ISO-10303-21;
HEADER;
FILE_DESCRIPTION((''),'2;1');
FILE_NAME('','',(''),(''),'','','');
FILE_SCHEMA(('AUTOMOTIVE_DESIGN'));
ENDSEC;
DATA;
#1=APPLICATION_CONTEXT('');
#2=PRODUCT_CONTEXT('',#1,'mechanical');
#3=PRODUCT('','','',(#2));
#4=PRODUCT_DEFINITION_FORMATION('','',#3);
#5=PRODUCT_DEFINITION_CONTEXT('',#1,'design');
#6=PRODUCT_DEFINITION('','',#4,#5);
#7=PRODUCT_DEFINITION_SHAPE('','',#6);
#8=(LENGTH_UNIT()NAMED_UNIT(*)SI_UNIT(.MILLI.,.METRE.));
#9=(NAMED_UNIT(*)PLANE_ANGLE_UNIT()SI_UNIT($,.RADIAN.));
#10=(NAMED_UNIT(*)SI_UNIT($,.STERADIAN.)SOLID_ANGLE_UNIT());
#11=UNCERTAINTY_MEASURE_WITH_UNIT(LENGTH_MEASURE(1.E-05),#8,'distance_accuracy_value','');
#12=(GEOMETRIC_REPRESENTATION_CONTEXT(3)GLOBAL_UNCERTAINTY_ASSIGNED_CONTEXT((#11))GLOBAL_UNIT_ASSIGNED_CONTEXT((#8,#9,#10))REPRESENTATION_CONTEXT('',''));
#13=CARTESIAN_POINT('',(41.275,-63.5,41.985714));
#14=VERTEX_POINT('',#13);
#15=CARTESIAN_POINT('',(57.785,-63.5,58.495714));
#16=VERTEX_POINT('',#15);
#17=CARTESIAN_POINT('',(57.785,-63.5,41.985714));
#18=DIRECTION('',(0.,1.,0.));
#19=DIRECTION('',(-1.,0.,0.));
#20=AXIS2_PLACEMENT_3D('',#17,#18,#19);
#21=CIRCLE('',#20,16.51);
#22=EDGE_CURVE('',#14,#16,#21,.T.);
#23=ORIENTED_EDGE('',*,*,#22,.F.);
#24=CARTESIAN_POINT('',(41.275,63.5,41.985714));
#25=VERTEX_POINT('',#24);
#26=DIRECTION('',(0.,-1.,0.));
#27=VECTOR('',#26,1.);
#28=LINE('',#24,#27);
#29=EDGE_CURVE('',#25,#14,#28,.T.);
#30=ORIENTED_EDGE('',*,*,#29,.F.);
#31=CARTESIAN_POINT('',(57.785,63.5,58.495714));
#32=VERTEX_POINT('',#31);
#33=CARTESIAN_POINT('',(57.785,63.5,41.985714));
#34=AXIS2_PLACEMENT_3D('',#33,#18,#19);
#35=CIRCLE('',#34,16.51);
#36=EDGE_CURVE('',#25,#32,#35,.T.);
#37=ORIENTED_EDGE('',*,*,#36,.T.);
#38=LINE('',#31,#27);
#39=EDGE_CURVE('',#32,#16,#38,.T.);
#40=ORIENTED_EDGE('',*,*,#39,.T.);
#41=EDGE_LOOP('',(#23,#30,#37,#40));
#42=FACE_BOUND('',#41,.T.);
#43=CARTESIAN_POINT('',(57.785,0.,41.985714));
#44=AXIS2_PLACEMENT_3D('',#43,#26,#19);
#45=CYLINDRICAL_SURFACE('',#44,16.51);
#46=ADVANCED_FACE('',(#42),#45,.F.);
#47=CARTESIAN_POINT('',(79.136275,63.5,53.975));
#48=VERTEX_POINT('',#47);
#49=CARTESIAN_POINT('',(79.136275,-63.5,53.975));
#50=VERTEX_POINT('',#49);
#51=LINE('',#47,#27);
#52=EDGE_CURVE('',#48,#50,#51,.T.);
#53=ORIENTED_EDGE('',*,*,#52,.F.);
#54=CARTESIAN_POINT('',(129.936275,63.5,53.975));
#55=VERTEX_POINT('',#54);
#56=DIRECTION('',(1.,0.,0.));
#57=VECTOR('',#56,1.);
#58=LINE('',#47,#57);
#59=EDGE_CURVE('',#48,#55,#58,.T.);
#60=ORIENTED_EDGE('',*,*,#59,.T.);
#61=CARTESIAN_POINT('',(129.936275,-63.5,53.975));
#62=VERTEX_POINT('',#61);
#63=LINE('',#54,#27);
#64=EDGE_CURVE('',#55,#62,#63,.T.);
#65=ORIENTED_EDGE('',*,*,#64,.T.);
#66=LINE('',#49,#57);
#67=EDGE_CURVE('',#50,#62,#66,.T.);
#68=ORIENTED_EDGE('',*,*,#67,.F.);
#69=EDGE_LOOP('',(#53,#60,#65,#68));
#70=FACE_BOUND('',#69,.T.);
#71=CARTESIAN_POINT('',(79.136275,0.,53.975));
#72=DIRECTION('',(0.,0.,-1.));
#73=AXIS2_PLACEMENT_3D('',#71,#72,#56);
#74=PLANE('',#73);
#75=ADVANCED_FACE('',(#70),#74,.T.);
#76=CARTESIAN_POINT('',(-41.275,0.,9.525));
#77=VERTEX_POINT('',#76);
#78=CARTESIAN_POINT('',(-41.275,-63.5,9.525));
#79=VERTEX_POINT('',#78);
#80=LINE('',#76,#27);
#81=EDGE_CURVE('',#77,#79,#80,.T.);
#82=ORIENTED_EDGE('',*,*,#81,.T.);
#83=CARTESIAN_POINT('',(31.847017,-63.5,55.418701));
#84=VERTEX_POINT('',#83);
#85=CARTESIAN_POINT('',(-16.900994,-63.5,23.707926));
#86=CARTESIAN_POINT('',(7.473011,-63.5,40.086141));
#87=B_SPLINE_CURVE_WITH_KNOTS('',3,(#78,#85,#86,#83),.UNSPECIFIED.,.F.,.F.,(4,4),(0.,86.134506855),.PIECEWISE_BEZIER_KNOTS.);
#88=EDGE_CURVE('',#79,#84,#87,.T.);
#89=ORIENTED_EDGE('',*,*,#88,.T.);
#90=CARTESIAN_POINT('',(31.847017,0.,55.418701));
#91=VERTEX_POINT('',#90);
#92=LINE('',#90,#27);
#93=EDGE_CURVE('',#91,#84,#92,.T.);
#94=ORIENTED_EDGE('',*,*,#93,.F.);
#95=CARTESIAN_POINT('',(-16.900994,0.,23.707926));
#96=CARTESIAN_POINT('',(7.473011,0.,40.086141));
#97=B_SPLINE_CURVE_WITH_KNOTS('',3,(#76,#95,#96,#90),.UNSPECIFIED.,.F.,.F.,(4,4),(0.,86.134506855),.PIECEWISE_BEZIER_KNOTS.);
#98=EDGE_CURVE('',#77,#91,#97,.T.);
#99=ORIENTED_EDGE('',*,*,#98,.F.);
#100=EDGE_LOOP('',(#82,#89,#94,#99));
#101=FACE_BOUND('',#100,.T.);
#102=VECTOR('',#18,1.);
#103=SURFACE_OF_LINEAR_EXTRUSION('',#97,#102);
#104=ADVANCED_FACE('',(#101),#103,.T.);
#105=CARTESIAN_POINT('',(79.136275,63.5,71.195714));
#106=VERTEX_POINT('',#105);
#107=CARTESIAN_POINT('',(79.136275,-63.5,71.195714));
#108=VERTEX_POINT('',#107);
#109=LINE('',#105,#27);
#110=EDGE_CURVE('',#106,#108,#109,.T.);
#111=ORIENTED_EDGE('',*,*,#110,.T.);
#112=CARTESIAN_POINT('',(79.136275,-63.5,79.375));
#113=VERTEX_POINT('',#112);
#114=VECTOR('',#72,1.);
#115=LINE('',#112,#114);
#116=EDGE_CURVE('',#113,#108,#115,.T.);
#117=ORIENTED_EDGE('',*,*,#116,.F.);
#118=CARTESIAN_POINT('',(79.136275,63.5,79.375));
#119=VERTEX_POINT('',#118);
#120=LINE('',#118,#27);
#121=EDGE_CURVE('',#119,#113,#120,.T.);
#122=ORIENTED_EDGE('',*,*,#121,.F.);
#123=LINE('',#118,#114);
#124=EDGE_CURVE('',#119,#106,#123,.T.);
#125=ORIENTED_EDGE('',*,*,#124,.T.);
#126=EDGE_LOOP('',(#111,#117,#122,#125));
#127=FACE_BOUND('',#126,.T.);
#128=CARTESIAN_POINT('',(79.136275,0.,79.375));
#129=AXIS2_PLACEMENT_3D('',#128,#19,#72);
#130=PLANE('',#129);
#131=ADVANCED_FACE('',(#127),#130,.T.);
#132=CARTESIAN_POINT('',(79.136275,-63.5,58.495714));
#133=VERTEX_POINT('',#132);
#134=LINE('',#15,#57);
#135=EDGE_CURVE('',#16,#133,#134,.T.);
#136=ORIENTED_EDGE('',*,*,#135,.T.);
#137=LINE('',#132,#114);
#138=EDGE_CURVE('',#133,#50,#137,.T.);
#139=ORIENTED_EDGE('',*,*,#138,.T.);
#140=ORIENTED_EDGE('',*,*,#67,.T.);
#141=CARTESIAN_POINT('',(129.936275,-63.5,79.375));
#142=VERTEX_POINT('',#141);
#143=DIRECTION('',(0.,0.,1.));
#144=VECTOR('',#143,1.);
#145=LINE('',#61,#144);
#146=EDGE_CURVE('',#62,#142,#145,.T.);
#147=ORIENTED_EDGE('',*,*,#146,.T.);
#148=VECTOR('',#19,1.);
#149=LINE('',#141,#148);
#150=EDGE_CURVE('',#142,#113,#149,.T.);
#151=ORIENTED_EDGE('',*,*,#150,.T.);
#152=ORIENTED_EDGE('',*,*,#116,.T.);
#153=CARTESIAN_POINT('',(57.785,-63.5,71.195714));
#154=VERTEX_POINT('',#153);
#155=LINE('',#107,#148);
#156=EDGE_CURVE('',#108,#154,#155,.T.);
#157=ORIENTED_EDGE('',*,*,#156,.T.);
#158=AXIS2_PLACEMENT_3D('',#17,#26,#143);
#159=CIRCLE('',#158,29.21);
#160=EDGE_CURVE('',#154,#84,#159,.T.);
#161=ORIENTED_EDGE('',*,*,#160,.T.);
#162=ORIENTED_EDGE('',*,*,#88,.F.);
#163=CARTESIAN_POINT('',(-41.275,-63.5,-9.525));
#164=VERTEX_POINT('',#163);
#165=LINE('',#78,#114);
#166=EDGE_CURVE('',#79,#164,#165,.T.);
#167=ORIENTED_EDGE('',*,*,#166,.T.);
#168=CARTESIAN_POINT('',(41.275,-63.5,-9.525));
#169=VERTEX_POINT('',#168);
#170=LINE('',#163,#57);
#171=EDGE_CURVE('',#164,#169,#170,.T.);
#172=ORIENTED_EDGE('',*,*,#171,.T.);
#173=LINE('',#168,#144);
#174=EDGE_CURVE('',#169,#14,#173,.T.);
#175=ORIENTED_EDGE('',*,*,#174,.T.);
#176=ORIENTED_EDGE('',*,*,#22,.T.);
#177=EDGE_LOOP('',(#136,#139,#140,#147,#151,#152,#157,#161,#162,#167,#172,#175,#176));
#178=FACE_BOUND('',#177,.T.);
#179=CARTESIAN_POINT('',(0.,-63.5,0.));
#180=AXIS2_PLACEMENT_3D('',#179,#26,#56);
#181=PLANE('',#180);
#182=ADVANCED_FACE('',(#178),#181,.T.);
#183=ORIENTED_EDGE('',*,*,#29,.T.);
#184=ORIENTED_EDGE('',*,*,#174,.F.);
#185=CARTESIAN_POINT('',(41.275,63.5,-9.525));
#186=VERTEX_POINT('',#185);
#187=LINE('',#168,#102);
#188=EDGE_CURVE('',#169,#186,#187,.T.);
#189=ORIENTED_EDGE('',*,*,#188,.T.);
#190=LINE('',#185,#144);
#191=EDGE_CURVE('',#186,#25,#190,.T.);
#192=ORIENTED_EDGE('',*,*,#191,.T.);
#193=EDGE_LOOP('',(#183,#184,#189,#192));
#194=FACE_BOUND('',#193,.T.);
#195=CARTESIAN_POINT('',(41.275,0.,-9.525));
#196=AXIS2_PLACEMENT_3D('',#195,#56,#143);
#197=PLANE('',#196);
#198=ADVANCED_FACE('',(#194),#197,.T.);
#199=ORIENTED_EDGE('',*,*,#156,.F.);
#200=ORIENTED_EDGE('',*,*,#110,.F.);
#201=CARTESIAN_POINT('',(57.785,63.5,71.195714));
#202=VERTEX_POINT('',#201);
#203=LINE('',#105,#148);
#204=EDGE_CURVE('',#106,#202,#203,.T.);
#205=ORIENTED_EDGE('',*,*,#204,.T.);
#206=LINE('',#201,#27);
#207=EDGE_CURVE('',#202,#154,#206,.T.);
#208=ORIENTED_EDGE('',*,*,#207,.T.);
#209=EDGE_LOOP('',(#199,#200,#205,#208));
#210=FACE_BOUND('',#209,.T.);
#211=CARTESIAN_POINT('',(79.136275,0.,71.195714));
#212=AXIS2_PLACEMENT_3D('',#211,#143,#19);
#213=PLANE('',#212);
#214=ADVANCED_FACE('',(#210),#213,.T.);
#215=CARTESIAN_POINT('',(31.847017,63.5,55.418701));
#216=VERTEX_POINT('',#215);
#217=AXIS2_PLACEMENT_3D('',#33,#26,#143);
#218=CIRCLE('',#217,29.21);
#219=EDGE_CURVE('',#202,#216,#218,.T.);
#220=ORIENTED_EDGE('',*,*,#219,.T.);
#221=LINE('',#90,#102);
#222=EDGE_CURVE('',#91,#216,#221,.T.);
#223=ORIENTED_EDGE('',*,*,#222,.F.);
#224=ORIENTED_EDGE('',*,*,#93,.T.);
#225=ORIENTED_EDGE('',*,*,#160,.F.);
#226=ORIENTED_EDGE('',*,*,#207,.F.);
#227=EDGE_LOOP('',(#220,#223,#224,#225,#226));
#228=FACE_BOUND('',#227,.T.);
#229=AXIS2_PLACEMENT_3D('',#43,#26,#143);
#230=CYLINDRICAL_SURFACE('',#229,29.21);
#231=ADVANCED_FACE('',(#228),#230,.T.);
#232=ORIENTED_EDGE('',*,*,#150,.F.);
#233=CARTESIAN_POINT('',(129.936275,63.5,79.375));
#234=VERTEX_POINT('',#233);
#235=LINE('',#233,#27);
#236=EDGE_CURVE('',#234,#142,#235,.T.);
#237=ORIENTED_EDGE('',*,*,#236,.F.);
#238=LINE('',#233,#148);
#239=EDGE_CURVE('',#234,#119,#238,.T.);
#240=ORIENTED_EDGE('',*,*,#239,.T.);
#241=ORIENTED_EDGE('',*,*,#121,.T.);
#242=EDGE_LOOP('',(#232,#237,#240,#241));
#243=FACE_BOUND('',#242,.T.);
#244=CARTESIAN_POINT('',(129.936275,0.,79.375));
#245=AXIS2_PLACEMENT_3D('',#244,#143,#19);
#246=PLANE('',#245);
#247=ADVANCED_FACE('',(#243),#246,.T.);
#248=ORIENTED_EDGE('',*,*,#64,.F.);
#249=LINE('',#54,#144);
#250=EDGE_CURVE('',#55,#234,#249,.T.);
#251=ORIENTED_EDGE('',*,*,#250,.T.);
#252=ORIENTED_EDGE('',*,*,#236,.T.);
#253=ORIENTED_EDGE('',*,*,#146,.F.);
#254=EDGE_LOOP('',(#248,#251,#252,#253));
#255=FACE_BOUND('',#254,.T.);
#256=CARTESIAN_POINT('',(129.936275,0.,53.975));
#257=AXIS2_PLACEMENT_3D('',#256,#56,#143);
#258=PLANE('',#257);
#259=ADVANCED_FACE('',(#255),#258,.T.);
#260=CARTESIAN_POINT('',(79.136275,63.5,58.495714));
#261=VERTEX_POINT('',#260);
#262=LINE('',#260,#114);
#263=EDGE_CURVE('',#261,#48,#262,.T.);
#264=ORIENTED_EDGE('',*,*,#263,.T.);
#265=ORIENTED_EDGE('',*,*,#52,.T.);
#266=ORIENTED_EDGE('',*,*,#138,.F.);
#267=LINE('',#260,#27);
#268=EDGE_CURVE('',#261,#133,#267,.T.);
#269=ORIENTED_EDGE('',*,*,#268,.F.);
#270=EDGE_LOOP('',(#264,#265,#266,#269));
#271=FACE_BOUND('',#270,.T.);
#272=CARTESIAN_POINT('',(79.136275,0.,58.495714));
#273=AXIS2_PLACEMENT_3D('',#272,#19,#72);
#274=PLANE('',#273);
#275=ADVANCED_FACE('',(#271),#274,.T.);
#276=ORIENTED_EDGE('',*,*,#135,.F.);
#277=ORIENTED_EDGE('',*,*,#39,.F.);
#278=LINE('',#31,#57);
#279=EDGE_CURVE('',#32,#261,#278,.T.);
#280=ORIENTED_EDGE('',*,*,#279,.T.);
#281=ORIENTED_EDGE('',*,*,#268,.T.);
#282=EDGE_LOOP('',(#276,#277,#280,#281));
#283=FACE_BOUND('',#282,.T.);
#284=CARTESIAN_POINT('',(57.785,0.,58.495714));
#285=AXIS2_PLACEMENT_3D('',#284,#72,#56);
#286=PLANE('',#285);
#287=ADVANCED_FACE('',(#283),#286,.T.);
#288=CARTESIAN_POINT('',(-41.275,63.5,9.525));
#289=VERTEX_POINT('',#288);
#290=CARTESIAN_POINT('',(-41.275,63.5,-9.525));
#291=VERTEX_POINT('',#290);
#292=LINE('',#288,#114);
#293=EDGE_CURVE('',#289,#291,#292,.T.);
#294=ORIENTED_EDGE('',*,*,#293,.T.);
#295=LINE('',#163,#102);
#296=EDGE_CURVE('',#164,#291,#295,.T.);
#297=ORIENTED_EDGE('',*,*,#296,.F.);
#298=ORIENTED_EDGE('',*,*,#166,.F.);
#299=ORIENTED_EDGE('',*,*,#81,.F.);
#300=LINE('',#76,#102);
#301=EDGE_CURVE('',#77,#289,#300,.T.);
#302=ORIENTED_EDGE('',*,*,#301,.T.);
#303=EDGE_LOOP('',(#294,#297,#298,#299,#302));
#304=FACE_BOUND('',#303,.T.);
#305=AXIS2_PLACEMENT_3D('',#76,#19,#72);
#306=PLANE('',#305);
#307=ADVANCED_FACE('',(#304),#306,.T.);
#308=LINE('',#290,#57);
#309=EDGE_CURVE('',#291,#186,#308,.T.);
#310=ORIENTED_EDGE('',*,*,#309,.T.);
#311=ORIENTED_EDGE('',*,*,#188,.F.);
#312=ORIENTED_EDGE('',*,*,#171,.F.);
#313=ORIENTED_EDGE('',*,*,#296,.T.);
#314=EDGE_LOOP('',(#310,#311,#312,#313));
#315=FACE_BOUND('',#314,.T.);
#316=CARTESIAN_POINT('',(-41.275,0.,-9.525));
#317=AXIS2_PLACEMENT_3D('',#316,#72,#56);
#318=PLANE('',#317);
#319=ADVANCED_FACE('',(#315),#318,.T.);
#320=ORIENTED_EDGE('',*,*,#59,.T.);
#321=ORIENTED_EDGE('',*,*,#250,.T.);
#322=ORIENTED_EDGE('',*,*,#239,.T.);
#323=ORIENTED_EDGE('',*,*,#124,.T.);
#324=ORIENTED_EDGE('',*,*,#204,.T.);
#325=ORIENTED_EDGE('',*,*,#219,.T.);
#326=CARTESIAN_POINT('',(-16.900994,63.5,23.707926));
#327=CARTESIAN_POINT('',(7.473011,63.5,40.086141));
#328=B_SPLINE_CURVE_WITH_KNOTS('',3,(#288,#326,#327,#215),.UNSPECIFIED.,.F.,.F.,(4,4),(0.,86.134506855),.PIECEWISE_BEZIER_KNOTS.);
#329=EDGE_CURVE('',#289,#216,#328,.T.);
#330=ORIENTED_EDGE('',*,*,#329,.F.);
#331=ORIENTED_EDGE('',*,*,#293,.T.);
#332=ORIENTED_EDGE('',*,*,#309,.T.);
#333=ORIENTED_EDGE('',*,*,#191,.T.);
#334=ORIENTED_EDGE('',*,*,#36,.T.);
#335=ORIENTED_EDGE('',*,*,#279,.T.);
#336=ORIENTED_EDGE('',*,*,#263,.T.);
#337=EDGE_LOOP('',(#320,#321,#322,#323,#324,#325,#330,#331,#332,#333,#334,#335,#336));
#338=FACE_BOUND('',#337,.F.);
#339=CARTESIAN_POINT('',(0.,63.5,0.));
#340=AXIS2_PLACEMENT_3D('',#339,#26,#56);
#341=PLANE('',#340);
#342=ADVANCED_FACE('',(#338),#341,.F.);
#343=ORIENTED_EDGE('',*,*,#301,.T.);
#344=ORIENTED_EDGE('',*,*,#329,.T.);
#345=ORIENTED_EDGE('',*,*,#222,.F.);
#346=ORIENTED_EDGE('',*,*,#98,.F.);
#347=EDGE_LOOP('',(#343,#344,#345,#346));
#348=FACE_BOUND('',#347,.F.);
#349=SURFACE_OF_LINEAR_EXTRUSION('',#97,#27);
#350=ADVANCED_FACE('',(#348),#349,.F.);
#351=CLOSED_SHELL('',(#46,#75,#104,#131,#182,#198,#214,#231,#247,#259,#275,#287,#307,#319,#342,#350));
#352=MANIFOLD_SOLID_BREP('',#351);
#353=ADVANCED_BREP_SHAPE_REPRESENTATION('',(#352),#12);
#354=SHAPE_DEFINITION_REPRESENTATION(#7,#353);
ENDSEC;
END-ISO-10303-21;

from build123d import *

# Parameters (mm, degrees)
F0_W     = 14.1772931536
F0_H     = 12.7
F1_DEPTH = 63.5


with BuildPart() as f1:
    # F0 (on Front) → F1 (new body, symmetric)
    with BuildSketch(Plane.XZ):
        Polygon((41.275, -9.525), (41.275, 9.525), (28.575, 9.525), (-41.275, 9.525), (-41.275, -9.525), align=None)
        with BuildLine():
            Line((28.575, 9.525), (41.275, 9.525))
            Line((41.275, 9.525), (41.275, 41.9857141757))
            ThreePointArc((41.275, 41.9857141757), (46.1106670426, 53.6600471331), (57.785, 58.4957141757))
            Line((57.785, 58.4957141757), (79.1362750345, 58.4957141757))
            Line((79.1362750345, 58.4957141757), (79.1362750345, 71.1957141757))
            Line((79.1362750345, 71.1957141757), (57.785, 71.1957141757))
            add(Edge.make_bspline(
                [(31.8470170631, 55.4187012286), (40.4930113754, 60.8574965018), (49.1390056877, 66.1647194119), (57.785, 71.1957141757)],
                knots=[86.1345068551, 86.1345068551, 86.1345068551, 86.1345068551, 116.6883052707, 116.6883052707, 116.6883052707, 116.6883052707], degree=3))
            ThreePointArc((31.8470170631, 55.4187012286), (29.4047905083, 48.8985868931), (28.575, 41.9857141757))
            Line((28.575, 41.9857141757), (28.575, 9.525))
        make_face()
        with BuildLine():
            Line((-41.275, 9.525), (28.575, 9.525))
            Line((28.575, 9.525), (28.575, 41.9857141757))
            ThreePointArc((28.575, 41.9857141757), (29.4047905083, 48.8985868931), (31.8470170631, 55.4187012286))
            add(Edge.make_bspline(
                [(-41.275, 9.525), (-16.9009943123, 23.7079257062), (7.4730113754, 40.0861411859), (31.8470170631, 55.4187012286)],
                knots=[0, 0, 0, 0, 86.1345068551, 86.1345068551, 86.1345068551, 86.1345068551], degree=3))
        make_face()
        with BuildLine():
            ThreePointArc((57.785, 71.1957141757), (42.6053005928, 66.9416919347), (31.8470170631, 55.4187012286))
            add(Edge.make_bspline(
                [(31.8470170631, 55.4187012286), (40.4930113754, 60.8574965018), (49.1390056877, 66.1647194119), (57.785, 71.1957141757)],
                knots=[86.1345068551, 86.1345068551, 86.1345068551, 86.1345068551, 116.6883052707, 116.6883052707, 116.6883052707, 116.6883052707], degree=3))
        make_face()
        Polygon((93.3135681881, 58.4957141757), (79.1362750345, 58.4957141757), (79.1362750345, 53.975), (129.9362750345, 53.975), (129.9362750345, 79.375), (79.1362750345, 79.375), (79.1362750345, 71.1957141757), (93.3135681881, 71.1957141757), align=None)
        with Locations((86.2249216113, 64.8457141757)):
            Rectangle(F0_W, F0_H)
    extrude(amount=F1_DEPTH, both=True)


solid = f1.part
